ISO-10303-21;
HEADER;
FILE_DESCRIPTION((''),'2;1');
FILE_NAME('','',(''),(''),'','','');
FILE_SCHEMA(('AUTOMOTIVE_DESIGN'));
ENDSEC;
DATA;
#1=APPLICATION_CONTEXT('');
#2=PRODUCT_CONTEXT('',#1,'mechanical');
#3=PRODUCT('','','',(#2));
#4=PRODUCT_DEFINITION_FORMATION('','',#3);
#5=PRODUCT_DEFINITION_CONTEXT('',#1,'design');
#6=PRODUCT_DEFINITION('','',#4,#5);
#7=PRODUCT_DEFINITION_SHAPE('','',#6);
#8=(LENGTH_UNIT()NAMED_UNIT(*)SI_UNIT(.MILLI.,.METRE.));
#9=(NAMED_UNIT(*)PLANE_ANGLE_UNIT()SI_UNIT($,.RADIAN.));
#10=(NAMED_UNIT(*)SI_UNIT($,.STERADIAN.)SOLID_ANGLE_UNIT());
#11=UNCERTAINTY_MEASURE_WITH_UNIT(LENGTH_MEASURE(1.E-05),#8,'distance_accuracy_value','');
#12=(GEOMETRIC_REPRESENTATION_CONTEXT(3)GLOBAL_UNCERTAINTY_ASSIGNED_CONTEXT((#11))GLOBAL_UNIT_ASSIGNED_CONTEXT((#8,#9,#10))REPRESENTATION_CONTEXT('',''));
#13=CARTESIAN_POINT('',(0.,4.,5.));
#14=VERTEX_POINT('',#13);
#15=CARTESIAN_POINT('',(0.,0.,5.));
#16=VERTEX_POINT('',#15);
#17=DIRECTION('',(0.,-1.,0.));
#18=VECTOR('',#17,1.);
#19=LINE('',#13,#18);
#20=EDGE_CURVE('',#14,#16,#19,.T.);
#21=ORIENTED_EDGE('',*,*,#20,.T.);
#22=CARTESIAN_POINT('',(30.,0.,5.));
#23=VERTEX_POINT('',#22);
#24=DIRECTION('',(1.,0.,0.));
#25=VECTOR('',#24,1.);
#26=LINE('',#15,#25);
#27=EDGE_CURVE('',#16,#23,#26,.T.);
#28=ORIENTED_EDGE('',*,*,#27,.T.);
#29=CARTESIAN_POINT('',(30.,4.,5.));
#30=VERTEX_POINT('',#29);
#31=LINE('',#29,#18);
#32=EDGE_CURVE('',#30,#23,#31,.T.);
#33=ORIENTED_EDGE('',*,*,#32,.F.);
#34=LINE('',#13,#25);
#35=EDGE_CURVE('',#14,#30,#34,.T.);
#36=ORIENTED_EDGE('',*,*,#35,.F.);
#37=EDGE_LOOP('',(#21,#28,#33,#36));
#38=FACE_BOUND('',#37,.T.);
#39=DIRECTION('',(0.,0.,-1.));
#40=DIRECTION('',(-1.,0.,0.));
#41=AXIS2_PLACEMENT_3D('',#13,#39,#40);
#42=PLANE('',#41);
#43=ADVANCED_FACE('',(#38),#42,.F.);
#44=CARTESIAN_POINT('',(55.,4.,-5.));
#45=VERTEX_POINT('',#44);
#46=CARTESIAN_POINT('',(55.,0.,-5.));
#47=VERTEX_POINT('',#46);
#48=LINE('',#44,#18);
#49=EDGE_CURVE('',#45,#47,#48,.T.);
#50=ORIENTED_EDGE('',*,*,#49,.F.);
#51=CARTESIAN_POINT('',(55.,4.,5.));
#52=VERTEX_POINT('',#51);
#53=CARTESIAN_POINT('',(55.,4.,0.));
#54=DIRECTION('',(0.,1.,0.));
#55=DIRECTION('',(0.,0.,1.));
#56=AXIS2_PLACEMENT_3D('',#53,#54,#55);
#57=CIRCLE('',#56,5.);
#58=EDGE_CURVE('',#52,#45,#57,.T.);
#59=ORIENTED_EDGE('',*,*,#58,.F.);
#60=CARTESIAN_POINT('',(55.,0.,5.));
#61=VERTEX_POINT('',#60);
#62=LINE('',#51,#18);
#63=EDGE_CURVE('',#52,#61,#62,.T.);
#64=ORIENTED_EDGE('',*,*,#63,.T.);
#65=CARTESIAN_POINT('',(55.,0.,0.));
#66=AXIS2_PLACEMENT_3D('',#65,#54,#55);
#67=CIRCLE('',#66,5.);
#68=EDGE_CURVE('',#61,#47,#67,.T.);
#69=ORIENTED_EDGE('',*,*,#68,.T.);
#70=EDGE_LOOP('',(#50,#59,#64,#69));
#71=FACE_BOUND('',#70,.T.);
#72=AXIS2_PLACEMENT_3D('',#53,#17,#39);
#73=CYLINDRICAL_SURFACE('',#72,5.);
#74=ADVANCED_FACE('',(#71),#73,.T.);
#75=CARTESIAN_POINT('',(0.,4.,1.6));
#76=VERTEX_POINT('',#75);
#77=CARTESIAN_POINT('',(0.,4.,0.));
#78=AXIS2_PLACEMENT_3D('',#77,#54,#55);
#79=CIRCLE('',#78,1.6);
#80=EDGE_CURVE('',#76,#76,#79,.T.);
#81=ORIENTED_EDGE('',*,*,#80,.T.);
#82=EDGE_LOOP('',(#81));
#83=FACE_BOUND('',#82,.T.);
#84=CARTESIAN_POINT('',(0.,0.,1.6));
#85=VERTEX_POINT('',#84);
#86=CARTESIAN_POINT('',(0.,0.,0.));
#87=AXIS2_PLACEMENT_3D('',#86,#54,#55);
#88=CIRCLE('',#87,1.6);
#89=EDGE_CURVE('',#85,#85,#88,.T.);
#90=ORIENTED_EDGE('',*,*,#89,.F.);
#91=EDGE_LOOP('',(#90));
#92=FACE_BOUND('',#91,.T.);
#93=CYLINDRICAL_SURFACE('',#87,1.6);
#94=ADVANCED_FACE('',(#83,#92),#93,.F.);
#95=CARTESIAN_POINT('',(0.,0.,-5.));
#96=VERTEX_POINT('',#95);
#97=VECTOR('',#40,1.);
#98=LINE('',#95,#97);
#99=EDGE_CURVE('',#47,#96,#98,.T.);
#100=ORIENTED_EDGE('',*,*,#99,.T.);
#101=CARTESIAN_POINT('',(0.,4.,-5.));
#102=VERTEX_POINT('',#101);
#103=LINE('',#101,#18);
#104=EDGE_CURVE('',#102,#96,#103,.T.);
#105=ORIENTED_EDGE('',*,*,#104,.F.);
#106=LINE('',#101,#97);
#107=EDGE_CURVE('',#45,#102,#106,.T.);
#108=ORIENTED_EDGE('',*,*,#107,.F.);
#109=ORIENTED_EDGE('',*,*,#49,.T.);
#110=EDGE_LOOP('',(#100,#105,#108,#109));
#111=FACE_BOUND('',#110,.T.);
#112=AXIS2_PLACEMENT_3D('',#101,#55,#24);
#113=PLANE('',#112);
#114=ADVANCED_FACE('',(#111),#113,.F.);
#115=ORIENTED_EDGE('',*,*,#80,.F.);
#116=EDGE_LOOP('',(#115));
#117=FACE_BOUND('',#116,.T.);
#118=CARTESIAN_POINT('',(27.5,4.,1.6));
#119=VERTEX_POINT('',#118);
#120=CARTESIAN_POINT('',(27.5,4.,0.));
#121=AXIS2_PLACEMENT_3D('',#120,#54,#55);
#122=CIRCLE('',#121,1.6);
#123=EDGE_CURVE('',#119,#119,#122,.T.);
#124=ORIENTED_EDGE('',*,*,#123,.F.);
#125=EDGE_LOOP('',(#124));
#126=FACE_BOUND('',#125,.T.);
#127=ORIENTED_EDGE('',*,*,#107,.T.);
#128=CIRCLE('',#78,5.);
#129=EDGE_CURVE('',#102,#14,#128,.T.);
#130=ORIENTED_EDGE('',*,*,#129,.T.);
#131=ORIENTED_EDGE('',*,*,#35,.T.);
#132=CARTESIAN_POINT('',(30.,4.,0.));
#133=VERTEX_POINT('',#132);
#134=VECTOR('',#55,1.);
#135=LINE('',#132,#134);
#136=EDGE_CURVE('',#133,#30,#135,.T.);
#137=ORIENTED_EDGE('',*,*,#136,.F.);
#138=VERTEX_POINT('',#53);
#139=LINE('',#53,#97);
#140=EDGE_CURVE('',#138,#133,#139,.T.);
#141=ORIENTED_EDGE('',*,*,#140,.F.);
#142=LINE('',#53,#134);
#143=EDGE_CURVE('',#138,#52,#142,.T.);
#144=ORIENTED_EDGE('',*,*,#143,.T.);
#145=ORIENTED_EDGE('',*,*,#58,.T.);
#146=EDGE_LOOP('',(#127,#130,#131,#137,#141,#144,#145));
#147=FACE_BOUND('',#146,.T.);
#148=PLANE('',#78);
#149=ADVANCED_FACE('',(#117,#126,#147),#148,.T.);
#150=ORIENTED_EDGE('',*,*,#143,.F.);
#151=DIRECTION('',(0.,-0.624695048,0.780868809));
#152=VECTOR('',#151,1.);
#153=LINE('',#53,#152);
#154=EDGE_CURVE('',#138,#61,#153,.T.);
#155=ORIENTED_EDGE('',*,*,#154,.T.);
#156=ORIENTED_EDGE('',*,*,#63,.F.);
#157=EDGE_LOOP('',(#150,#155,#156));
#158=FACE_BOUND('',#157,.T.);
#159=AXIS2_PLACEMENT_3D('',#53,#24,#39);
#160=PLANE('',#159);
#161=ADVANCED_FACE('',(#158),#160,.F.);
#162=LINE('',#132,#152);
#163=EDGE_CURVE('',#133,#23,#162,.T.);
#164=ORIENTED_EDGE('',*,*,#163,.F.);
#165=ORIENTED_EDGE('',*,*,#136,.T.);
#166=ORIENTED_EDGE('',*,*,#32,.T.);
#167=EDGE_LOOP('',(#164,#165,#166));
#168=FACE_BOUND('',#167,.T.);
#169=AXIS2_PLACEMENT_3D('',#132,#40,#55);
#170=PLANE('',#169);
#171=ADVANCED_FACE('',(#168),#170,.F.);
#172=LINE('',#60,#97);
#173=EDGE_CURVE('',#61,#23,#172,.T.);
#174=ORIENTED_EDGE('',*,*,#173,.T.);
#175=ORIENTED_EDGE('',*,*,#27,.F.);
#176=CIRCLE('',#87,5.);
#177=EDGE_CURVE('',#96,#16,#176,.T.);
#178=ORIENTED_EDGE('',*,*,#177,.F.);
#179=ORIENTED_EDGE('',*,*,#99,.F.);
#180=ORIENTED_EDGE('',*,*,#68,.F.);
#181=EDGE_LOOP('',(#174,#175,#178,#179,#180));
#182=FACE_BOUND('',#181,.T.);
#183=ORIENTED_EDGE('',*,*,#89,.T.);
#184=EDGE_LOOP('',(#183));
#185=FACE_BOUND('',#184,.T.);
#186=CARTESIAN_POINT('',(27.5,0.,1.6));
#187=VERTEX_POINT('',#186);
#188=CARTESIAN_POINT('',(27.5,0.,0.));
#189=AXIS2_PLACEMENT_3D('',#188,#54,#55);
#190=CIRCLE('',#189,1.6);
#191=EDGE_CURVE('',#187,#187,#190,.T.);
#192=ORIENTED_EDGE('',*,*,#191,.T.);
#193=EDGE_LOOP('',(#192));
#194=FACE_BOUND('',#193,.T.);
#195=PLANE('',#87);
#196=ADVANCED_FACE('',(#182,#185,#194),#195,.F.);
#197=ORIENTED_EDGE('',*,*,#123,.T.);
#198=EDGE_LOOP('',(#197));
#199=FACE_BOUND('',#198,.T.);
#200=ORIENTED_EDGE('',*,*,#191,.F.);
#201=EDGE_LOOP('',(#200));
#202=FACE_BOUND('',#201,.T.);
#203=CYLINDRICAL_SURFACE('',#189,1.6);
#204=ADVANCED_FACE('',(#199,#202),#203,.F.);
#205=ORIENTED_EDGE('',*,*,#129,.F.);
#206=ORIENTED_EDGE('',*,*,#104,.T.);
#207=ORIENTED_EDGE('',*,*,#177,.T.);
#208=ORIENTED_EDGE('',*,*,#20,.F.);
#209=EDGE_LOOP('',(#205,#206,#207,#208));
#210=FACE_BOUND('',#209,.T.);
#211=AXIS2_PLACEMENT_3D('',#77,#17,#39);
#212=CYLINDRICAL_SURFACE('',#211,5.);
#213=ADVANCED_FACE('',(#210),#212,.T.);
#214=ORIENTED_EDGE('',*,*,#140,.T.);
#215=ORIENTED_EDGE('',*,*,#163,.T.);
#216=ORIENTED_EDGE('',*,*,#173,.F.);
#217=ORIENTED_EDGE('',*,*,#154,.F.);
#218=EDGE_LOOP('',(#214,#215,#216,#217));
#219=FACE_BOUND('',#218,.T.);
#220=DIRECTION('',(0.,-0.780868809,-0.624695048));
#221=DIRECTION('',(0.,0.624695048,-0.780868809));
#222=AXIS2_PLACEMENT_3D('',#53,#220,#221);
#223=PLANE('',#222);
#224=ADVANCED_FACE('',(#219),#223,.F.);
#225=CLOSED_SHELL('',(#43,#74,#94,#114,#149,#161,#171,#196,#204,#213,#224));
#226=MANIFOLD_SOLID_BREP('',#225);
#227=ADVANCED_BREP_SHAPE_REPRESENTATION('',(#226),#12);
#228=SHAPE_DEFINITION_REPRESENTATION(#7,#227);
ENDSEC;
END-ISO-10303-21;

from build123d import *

# Parameters (mm, degrees)
BOSS_EXTRUDE1_DEPTH = 4
SKETCH2_R           = 1.6
CUT_EXTRUDE1_DEPTH  = 5
SKETCH5_W           = 25
SKETCH5_H           = 4
CUT_EXTRUDE2_DEPTH  = 5
BOSS_EXTRUDE3_DEPTH = 25


with BuildPart() as part:
    # Sketch1 → Boss-Extrude1 (new body)
    with BuildSketch(Plane(origin=(0, 0, 0), x_dir=(1, 0, 0), z_dir=(0, 1, 0))):
        with BuildLine():
            Line((0, 5), (55, 5))
            ThreePointArc((55, 5), (60, 0), (55, -5))
            Line((55, -5), (0, -5))
            ThreePointArc((0, -5), (-5, 0), (0, 5))
        make_face()
    extrude(amount=BOSS_EXTRUDE1_DEPTH)

    # Sketch2 → Cut-Extrude1 (cut, through all)
    with BuildSketch(Plane(origin=(0, 4, 0), x_dir=(1, 0, 0), z_dir=(0, 1, 0))):
        Circle(SKETCH2_R)
        with Locations((27.5, 0)):
            Circle(SKETCH2_R)
    extrude(amount=-CUT_EXTRUDE1_DEPTH, mode=Mode.SUBTRACT)

    # Sketch5 → Cut-Extrude2 (cut)
    with BuildSketch(Plane.XY.offset(5)):
        with Locations((42.5, 2)):
            Rectangle(SKETCH5_W, SKETCH5_H)
    extrude(amount=-CUT_EXTRUDE2_DEPTH, mode=Mode.SUBTRACT)

    # Sketch6 → Boss-Extrude3 (add)
    with BuildSketch(Plane(origin=(30, 0, 0), x_dir=(0, 0, -1), z_dir=(1, 0, 0))):
        Polygon((0, 4), (-5, 0), (0, 0), align=None)
    extrude(amount=BOSS_EXTRUDE3_DEPTH)


solid = part.part
